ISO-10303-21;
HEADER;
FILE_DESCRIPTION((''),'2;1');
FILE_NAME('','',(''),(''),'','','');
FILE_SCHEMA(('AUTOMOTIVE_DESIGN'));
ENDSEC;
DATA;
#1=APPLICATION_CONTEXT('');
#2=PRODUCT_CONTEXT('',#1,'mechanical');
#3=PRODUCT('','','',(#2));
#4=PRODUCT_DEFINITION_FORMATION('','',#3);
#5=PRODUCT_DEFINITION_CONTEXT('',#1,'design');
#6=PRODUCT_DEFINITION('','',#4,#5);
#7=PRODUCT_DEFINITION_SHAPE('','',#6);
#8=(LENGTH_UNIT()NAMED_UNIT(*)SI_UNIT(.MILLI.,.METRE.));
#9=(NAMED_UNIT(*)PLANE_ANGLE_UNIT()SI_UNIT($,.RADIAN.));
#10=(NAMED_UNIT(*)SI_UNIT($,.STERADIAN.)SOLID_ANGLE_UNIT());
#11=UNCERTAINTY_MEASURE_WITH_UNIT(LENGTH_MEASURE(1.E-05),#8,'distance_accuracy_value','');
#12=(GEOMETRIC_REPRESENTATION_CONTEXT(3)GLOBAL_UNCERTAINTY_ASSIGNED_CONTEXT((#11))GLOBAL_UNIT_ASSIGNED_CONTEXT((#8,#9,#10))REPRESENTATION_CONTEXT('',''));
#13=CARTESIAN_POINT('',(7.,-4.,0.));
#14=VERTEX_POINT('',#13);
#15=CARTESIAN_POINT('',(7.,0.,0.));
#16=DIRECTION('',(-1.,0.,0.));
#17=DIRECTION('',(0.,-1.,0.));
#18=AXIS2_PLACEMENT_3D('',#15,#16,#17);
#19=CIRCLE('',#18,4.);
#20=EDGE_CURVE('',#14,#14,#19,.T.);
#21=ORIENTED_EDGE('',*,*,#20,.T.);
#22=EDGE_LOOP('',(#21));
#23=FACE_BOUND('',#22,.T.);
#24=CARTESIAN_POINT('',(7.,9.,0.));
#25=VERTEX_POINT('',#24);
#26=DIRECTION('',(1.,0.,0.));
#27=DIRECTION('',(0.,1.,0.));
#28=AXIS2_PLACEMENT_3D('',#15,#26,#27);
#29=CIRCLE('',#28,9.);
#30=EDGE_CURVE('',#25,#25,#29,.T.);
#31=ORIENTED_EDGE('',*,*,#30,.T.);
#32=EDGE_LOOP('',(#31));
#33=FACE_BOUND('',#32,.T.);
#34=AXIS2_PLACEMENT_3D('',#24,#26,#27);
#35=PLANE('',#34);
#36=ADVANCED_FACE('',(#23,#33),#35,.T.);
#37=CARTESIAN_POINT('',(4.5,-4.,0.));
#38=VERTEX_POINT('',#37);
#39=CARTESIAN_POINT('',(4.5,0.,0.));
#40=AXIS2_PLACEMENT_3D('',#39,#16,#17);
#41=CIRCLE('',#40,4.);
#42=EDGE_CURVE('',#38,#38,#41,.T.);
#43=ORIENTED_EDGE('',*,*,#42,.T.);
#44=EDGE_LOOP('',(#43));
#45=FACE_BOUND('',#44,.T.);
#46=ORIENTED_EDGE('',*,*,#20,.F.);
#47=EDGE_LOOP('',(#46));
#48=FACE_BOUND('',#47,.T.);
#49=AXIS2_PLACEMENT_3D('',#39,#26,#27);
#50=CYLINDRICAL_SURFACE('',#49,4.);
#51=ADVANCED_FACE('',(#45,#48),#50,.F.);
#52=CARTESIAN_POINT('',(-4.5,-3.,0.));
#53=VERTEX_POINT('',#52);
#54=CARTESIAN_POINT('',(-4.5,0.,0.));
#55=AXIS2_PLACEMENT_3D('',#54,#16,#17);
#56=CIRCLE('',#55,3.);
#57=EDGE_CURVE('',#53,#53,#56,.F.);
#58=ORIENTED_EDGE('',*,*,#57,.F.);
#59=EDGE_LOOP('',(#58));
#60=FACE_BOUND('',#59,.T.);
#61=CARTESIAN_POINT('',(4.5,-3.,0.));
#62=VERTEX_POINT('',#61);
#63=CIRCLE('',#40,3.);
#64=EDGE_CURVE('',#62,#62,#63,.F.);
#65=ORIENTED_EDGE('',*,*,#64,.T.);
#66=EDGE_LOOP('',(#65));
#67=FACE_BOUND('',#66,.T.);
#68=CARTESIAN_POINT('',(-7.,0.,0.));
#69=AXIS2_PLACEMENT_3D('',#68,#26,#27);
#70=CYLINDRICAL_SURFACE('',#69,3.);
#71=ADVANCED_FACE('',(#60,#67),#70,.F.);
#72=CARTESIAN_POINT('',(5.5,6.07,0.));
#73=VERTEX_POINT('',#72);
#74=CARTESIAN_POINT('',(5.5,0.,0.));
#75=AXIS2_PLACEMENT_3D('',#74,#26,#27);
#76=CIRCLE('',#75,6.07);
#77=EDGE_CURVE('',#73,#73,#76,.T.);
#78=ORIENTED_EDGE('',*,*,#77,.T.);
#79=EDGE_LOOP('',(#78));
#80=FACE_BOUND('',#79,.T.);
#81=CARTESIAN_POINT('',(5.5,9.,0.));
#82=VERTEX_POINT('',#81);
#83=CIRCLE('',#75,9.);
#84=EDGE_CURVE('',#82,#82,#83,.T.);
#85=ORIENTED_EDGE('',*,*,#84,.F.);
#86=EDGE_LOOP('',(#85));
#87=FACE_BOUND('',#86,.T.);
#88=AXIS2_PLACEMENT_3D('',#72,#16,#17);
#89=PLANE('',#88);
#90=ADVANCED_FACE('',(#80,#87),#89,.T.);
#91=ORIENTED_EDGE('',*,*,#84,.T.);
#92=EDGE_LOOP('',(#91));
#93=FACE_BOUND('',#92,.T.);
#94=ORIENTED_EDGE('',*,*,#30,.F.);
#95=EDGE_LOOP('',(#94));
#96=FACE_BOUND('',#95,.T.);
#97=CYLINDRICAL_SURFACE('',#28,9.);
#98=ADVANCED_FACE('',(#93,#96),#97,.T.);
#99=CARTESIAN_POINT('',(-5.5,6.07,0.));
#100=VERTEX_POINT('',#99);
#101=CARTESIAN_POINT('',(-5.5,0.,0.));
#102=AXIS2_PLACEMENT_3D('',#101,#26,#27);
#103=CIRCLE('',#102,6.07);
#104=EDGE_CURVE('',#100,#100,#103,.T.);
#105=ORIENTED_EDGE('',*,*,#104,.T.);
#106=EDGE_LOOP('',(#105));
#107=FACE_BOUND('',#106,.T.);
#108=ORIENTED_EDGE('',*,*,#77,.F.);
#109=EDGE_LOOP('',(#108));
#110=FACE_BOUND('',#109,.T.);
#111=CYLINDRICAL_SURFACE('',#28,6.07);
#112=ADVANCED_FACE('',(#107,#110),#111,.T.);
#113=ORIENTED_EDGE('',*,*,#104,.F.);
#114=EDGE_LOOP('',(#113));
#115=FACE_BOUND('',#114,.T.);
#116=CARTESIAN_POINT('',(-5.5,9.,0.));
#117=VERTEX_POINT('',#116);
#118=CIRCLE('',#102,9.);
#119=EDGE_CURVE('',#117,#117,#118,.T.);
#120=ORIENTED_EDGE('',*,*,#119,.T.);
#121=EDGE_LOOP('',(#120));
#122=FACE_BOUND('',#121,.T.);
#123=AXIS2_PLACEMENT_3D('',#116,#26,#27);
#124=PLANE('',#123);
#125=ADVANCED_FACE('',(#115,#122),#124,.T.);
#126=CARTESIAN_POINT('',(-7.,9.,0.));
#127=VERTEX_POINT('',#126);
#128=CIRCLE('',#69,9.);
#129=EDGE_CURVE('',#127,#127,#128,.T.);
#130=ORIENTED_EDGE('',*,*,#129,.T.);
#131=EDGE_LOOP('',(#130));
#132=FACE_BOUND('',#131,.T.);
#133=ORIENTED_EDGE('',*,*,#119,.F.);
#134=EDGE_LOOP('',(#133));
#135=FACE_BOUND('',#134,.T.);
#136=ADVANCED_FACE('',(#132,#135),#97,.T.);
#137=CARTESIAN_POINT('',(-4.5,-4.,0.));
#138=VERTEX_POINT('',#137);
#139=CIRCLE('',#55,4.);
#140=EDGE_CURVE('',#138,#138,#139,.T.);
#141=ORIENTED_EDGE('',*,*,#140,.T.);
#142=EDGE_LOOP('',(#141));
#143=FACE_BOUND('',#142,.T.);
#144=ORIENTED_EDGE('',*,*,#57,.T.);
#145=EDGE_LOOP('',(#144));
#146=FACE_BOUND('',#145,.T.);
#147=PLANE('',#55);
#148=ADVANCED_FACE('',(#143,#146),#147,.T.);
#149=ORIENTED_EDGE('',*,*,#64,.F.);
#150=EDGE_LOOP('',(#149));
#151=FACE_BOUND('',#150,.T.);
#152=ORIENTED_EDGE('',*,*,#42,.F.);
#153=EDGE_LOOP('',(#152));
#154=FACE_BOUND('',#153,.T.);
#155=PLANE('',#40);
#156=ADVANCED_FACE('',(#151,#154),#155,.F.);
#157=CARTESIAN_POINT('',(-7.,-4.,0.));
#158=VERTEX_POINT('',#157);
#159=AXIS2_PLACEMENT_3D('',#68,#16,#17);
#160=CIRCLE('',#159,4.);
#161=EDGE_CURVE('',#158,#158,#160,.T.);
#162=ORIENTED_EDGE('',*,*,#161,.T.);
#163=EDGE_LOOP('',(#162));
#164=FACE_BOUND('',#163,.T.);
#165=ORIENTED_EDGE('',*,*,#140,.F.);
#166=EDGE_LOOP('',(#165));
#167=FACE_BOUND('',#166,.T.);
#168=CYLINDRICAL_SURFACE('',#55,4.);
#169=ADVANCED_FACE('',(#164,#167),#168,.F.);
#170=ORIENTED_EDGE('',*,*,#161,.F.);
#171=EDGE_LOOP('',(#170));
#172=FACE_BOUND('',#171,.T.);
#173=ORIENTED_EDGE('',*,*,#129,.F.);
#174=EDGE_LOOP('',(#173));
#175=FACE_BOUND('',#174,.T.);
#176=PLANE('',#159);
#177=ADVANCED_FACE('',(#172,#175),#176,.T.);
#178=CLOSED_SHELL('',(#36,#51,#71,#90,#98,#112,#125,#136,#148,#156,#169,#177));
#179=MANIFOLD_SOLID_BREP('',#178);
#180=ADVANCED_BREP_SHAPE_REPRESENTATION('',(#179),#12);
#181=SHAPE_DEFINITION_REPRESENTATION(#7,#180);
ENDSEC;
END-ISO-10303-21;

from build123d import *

# Parameters (mm, degrees)
CUT_EXTRUDE2_DEPTH      = 19.920887928
CUT_EXTRUDE2_DEPTH_BACK = 19.920887928
SKETCH3_R               = 3
SKETCH2_R               = 4
CUT_EXTRUDE1_DEPTH      = 2.5
CUT_EXTRUDE4_START      = 2.5
SKETCH4_R               = 4
CUT_EXTRUDE4_DEPTH      = 2.5


with BuildPart() as part:
    # Sketch1 → Revolve1 (revolve)
    with BuildSketch(Plane.XY):
        Polygon((-7, 0), (-7, 9), (-5.5, 9), (-5.5, 6.07), (5.5, 6.07), (5.5, 9), (7, 9), (7, 0), align=None)
    revolve(axis=Axis((7, 0, 0), (-1, 0, 0)))

    # Sketch3 → Cut-Extrude2 (cut, two sides: drawn at the far end of the back side and taken through both)
    with BuildSketch(Plane(origin=(7, 0, 0), x_dir=(0, 0, -1), z_dir=(1, 0, 0)).offset(-CUT_EXTRUDE2_DEPTH_BACK)):
        with Locations(Location((0, 0, 0), (0, 0, 90))):
            Circle(SKETCH3_R)
    extrude(amount=CUT_EXTRUDE2_DEPTH + CUT_EXTRUDE2_DEPTH_BACK, mode=Mode.SUBTRACT)

    # Sketch2 → Cut-Extrude1 (cut)
    with BuildSketch(Plane(origin=(-7, 0, 18.209055513), x_dir=(0, 0, 1), z_dir=(-1, 0, 0))):
        with Locations(Location((-18.209055513, 0, 0), (0, 0, 270))):
            Circle(SKETCH2_R)
    extrude(amount=-CUT_EXTRUDE1_DEPTH, mode=Mode.SUBTRACT)

    # Sketch4 → Cut-Extrude4 (cut)
    with BuildSketch(Plane(origin=(7, 0, 11.209055513), x_dir=(0, 0, 1), z_dir=(-1, 0, 0)).offset(CUT_EXTRUDE4_START)):
        with Locations(Location((-11.209055513, 0, 0), (0, 0, 270))):
            Circle(SKETCH4_R)
    extrude(amount=-CUT_EXTRUDE4_DEPTH, mode=Mode.SUBTRACT)


solid = part.part
